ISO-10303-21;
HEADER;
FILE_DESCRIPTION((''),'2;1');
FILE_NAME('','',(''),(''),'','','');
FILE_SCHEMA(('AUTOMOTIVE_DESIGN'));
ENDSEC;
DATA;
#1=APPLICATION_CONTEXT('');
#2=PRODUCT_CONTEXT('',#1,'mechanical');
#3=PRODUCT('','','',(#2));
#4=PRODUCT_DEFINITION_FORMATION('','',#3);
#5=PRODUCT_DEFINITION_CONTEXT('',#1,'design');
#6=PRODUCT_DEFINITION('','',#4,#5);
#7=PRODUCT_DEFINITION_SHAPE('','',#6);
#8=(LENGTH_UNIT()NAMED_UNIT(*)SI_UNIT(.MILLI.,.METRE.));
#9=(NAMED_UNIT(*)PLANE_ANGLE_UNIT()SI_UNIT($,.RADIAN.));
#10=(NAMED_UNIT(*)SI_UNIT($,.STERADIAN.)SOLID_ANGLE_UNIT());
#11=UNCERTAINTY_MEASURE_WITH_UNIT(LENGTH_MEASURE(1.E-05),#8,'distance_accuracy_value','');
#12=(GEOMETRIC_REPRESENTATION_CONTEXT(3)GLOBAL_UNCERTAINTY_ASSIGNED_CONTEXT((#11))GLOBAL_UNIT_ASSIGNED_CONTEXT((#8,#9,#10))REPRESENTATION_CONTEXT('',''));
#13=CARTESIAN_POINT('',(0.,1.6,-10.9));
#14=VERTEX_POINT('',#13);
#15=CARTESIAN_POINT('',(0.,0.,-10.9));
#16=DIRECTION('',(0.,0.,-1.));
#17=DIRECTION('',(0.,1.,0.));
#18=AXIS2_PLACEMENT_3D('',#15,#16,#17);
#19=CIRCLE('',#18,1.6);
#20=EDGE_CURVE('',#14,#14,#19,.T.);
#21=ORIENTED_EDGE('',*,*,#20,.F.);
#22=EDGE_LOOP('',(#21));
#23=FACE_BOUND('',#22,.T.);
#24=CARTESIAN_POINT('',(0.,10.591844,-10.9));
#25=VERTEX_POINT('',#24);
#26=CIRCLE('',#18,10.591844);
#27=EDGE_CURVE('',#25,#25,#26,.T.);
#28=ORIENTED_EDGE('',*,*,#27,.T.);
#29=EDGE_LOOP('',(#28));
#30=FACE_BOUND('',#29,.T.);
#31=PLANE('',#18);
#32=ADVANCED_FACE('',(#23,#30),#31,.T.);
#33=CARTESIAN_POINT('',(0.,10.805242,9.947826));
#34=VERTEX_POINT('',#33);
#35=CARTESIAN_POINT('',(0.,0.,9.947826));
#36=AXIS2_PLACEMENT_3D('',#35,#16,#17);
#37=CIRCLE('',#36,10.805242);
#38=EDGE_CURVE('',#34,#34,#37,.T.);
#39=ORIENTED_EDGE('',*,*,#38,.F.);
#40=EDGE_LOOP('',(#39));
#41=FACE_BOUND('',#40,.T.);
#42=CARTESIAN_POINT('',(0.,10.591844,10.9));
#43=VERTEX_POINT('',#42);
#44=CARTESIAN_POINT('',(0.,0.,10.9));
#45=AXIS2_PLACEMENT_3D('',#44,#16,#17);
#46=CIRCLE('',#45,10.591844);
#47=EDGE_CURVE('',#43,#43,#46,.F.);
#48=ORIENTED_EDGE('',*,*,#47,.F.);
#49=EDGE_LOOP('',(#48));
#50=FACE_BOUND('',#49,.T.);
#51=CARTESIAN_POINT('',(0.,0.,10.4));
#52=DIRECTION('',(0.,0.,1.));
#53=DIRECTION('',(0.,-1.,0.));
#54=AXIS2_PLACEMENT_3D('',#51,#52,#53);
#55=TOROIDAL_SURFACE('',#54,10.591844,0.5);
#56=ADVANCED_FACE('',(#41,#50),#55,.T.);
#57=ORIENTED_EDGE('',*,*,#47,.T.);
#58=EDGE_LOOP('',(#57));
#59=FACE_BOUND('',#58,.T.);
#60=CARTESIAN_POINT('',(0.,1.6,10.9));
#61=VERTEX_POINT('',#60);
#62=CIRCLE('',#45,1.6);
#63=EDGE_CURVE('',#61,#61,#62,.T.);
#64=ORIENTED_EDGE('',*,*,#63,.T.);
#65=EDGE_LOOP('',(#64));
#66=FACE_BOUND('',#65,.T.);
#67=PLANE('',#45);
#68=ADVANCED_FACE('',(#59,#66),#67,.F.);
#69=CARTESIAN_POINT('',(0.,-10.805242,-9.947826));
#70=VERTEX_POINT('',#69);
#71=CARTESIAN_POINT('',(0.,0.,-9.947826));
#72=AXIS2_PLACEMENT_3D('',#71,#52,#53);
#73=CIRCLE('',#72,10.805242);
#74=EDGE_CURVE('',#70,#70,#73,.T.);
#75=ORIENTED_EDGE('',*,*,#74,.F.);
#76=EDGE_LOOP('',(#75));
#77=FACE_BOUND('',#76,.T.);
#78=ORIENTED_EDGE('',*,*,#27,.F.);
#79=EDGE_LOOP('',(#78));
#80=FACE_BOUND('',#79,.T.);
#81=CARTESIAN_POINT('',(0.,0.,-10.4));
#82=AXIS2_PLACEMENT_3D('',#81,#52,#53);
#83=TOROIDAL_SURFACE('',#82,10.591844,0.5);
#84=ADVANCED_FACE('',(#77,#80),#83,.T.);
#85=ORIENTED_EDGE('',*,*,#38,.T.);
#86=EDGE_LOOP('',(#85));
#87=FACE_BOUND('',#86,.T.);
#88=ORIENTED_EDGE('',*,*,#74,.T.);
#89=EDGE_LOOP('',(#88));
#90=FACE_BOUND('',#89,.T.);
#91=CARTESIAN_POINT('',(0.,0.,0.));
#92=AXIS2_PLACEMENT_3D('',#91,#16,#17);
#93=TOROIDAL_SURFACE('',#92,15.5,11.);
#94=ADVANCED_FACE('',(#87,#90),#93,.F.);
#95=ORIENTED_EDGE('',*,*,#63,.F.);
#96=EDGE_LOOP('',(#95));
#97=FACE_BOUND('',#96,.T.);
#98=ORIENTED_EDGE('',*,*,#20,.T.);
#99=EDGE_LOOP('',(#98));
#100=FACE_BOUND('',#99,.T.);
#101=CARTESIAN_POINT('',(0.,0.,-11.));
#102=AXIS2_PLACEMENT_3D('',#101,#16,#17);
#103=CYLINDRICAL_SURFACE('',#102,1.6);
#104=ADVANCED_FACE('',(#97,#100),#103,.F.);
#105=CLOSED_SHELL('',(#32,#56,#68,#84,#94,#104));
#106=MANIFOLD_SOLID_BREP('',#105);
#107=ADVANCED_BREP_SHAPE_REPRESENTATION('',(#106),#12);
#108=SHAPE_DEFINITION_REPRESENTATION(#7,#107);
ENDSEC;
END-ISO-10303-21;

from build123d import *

# Parameters (mm, degrees)
FILLET1_R = 0.5


with BuildPart() as part:
    # Sketch1 → Revolve1 (revolve)
    with BuildSketch(Plane(origin=(0, 0, 0), x_dir=(0, 0, -1), z_dir=(1, 0, 0))):
        with BuildLine():
            Line((10.9, 1.6), (10.9, 14.020135141))
            ThreePointArc((10.9, 14.020135141), (0, 4.5), (-10.9, 14.020135141))
            Line((-10.9, 14.020135141), (-10.9, 1.6))
            Line((-10.9, 1.6), (10.9, 1.6))
        make_face()
    revolve(axis=Axis((0, 0, -11), (0, 0, 1)))

    # Fillet1
    fillet1_edges = [part.edges().sort_by_distance(p)[0] for p in [
        (0, -14.020135141, 10.9),
        (0, -14.020135141, -10.9),
    ]]
    fillet(fillet1_edges, radius=FILLET1_R)


solid = part.part
